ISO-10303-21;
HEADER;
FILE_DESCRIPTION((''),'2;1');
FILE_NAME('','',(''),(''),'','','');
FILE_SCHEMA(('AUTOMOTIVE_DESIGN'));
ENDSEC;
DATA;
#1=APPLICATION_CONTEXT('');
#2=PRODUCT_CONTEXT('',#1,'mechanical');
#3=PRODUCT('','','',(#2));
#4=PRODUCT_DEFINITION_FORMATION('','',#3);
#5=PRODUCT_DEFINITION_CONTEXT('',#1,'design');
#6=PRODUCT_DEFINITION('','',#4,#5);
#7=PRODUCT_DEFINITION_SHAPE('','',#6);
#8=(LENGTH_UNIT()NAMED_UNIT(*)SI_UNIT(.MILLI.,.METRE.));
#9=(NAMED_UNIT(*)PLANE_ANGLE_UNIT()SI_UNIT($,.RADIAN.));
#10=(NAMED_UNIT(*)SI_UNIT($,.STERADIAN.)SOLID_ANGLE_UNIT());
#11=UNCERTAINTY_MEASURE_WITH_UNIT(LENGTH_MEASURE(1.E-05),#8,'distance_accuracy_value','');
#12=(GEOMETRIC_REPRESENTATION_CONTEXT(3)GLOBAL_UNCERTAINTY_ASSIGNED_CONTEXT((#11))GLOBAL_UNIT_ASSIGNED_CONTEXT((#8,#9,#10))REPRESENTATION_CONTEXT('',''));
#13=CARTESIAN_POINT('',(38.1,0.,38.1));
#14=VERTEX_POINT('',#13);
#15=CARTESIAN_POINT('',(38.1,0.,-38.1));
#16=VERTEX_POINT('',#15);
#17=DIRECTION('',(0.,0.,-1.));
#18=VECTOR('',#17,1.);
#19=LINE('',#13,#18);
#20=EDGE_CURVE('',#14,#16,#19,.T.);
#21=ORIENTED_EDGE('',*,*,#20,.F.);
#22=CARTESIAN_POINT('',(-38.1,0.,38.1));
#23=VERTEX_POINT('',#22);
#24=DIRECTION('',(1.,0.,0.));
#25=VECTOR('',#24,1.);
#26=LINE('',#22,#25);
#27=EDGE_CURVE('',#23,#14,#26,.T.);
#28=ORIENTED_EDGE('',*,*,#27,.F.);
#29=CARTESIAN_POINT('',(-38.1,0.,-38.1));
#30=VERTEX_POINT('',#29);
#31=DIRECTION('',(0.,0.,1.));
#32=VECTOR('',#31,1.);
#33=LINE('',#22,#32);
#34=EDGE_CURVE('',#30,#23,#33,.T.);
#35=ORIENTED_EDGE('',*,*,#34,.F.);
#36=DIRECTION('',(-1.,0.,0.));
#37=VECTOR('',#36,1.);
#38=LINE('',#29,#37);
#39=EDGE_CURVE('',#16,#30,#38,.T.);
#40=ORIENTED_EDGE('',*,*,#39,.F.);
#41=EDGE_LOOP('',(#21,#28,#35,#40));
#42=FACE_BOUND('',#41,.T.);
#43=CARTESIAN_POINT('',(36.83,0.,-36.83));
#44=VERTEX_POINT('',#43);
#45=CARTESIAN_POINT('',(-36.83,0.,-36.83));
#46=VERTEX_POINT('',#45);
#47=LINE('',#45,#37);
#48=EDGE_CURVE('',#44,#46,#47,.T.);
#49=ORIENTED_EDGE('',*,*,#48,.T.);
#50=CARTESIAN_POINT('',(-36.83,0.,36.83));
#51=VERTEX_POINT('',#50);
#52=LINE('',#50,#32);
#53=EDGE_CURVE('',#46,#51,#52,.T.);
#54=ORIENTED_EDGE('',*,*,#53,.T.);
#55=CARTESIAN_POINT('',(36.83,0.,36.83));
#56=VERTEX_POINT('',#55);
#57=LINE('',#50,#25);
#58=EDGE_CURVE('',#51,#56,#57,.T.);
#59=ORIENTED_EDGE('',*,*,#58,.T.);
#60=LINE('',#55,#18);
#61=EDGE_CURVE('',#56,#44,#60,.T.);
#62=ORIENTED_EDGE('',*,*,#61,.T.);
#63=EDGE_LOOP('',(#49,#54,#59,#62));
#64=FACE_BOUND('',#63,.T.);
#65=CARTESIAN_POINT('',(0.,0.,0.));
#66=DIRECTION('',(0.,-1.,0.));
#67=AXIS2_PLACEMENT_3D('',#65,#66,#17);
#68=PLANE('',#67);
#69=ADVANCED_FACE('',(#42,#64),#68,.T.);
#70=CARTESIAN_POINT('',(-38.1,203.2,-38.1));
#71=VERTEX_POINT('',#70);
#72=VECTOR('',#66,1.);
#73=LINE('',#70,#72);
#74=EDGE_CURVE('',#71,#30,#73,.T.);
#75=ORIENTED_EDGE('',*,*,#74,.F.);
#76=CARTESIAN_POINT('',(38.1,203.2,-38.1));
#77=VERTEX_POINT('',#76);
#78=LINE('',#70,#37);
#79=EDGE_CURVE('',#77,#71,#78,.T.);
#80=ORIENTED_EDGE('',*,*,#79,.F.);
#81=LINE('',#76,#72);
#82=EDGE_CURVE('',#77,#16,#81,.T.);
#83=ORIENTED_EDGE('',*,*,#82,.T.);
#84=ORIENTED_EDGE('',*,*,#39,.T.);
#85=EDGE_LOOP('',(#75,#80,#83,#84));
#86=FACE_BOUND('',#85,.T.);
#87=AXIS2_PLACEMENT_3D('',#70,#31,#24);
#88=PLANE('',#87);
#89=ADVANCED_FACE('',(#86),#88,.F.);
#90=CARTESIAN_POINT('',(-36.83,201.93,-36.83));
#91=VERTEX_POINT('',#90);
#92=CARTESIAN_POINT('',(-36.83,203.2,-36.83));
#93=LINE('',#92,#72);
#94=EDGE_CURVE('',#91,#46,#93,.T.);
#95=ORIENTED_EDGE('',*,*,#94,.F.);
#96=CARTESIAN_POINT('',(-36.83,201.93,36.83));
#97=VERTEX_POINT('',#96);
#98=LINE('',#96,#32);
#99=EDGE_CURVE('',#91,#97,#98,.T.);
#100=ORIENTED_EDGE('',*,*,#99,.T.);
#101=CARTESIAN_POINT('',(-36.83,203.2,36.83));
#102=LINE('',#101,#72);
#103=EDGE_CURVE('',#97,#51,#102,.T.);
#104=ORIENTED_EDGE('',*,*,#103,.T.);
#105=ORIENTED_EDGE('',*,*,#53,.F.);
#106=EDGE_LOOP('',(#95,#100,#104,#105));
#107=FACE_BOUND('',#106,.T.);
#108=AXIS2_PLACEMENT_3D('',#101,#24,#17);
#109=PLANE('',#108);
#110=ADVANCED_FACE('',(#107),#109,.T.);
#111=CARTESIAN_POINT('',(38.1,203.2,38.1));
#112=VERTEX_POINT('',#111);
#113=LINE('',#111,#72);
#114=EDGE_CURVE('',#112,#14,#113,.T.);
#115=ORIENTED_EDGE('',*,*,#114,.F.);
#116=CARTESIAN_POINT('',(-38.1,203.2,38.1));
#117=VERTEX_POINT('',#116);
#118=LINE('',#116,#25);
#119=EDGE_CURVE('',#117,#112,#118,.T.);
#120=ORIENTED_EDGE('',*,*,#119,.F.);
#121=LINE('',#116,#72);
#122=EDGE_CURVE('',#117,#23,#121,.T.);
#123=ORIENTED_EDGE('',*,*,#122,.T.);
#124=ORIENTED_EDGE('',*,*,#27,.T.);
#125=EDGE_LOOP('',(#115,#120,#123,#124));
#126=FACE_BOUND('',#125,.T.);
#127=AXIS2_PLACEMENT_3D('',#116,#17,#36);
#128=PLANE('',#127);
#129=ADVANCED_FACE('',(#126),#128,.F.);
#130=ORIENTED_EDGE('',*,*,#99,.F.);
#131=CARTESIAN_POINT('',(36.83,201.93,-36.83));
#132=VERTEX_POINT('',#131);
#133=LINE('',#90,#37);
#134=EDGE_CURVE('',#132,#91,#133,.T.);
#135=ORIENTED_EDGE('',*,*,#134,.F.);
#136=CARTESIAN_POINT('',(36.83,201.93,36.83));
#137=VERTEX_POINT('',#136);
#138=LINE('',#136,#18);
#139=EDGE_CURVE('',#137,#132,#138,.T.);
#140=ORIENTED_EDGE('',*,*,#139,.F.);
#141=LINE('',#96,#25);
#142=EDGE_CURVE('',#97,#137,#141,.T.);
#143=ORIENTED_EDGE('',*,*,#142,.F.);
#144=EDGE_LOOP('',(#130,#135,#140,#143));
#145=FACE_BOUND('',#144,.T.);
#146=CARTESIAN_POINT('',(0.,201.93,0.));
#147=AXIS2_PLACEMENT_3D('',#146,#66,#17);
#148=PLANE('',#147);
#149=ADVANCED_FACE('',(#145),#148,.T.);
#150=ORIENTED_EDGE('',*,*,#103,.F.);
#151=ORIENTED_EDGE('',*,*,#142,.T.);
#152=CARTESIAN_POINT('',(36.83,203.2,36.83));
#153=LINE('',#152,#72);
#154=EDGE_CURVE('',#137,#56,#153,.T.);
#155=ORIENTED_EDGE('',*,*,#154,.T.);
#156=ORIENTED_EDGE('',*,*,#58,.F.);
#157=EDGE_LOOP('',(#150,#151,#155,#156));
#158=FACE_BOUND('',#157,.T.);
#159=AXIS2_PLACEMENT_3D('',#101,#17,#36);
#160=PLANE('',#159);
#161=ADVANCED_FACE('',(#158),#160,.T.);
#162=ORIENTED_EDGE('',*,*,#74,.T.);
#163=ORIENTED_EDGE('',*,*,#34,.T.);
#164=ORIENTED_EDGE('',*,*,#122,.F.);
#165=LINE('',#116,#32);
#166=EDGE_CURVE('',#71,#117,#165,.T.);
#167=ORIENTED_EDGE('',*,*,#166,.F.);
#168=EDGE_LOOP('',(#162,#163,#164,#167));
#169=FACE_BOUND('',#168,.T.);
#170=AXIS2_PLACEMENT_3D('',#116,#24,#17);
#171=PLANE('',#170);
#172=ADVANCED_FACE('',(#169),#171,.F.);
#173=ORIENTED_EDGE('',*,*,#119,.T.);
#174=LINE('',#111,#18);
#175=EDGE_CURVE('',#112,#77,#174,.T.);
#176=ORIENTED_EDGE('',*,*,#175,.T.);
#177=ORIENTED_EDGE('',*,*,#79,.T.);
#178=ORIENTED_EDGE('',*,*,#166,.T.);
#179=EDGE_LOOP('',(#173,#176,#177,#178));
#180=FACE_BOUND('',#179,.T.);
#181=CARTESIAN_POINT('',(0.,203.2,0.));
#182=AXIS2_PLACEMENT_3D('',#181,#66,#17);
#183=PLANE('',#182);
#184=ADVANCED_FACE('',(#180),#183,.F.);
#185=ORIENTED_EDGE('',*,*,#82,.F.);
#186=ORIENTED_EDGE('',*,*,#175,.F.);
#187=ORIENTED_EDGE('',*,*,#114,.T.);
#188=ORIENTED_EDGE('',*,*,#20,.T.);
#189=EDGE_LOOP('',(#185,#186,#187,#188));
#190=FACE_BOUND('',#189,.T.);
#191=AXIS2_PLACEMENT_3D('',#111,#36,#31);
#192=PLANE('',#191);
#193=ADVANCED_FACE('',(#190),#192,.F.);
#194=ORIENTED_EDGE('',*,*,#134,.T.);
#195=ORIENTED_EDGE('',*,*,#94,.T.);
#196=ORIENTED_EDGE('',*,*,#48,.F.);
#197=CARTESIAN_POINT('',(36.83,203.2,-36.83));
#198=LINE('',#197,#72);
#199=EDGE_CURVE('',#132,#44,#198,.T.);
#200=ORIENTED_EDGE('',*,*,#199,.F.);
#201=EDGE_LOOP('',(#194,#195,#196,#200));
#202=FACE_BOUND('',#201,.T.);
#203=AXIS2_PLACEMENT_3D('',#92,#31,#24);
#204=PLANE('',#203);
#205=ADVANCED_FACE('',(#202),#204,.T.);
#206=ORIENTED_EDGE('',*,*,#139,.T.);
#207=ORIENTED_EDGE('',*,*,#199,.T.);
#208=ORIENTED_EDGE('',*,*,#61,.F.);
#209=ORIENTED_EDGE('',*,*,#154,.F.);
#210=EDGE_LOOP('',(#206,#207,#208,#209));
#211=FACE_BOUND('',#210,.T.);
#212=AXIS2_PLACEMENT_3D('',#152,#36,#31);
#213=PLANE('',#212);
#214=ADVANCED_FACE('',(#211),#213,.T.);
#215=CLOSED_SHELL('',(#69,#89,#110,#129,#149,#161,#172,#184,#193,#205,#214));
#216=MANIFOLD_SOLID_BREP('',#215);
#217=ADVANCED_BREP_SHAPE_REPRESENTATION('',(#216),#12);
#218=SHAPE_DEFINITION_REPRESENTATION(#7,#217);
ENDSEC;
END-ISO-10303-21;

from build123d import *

# Parameters (mm, degrees)
SKETCH2_W           = 76.2
SKETCH2_H           = 76.2
SKETCH2_W_2         = 73.66
SKETCH2_H_2         = 73.66
BOSS_EXTRUDE1_DEPTH = 203.2
SKETCH3_W           = 73.66
SKETCH3_H           = 73.66
BOSS_EXTRUDE2_DEPTH = 1.27


with BuildPart() as part:
    # Sketch2 → Boss-Extrude1 (new body)
    with BuildSketch(Plane(origin=(0, 0, 0), x_dir=(1, 0, 0), z_dir=(0, 1, 0))):
        Rectangle(SKETCH2_W, SKETCH2_H)
        Rectangle(SKETCH2_W_2, SKETCH2_H_2, mode=Mode.SUBTRACT)
    extrude(amount=BOSS_EXTRUDE1_DEPTH)

    # Sketch3 → Boss-Extrude2 (add)
    with BuildSketch(Plane(origin=(0, 203.2, 0), x_dir=(1, 0, 0), z_dir=(0, 1, 0))):
        Rectangle(SKETCH3_W, SKETCH3_H)
    extrude(amount=-BOSS_EXTRUDE2_DEPTH)


solid = part.part
